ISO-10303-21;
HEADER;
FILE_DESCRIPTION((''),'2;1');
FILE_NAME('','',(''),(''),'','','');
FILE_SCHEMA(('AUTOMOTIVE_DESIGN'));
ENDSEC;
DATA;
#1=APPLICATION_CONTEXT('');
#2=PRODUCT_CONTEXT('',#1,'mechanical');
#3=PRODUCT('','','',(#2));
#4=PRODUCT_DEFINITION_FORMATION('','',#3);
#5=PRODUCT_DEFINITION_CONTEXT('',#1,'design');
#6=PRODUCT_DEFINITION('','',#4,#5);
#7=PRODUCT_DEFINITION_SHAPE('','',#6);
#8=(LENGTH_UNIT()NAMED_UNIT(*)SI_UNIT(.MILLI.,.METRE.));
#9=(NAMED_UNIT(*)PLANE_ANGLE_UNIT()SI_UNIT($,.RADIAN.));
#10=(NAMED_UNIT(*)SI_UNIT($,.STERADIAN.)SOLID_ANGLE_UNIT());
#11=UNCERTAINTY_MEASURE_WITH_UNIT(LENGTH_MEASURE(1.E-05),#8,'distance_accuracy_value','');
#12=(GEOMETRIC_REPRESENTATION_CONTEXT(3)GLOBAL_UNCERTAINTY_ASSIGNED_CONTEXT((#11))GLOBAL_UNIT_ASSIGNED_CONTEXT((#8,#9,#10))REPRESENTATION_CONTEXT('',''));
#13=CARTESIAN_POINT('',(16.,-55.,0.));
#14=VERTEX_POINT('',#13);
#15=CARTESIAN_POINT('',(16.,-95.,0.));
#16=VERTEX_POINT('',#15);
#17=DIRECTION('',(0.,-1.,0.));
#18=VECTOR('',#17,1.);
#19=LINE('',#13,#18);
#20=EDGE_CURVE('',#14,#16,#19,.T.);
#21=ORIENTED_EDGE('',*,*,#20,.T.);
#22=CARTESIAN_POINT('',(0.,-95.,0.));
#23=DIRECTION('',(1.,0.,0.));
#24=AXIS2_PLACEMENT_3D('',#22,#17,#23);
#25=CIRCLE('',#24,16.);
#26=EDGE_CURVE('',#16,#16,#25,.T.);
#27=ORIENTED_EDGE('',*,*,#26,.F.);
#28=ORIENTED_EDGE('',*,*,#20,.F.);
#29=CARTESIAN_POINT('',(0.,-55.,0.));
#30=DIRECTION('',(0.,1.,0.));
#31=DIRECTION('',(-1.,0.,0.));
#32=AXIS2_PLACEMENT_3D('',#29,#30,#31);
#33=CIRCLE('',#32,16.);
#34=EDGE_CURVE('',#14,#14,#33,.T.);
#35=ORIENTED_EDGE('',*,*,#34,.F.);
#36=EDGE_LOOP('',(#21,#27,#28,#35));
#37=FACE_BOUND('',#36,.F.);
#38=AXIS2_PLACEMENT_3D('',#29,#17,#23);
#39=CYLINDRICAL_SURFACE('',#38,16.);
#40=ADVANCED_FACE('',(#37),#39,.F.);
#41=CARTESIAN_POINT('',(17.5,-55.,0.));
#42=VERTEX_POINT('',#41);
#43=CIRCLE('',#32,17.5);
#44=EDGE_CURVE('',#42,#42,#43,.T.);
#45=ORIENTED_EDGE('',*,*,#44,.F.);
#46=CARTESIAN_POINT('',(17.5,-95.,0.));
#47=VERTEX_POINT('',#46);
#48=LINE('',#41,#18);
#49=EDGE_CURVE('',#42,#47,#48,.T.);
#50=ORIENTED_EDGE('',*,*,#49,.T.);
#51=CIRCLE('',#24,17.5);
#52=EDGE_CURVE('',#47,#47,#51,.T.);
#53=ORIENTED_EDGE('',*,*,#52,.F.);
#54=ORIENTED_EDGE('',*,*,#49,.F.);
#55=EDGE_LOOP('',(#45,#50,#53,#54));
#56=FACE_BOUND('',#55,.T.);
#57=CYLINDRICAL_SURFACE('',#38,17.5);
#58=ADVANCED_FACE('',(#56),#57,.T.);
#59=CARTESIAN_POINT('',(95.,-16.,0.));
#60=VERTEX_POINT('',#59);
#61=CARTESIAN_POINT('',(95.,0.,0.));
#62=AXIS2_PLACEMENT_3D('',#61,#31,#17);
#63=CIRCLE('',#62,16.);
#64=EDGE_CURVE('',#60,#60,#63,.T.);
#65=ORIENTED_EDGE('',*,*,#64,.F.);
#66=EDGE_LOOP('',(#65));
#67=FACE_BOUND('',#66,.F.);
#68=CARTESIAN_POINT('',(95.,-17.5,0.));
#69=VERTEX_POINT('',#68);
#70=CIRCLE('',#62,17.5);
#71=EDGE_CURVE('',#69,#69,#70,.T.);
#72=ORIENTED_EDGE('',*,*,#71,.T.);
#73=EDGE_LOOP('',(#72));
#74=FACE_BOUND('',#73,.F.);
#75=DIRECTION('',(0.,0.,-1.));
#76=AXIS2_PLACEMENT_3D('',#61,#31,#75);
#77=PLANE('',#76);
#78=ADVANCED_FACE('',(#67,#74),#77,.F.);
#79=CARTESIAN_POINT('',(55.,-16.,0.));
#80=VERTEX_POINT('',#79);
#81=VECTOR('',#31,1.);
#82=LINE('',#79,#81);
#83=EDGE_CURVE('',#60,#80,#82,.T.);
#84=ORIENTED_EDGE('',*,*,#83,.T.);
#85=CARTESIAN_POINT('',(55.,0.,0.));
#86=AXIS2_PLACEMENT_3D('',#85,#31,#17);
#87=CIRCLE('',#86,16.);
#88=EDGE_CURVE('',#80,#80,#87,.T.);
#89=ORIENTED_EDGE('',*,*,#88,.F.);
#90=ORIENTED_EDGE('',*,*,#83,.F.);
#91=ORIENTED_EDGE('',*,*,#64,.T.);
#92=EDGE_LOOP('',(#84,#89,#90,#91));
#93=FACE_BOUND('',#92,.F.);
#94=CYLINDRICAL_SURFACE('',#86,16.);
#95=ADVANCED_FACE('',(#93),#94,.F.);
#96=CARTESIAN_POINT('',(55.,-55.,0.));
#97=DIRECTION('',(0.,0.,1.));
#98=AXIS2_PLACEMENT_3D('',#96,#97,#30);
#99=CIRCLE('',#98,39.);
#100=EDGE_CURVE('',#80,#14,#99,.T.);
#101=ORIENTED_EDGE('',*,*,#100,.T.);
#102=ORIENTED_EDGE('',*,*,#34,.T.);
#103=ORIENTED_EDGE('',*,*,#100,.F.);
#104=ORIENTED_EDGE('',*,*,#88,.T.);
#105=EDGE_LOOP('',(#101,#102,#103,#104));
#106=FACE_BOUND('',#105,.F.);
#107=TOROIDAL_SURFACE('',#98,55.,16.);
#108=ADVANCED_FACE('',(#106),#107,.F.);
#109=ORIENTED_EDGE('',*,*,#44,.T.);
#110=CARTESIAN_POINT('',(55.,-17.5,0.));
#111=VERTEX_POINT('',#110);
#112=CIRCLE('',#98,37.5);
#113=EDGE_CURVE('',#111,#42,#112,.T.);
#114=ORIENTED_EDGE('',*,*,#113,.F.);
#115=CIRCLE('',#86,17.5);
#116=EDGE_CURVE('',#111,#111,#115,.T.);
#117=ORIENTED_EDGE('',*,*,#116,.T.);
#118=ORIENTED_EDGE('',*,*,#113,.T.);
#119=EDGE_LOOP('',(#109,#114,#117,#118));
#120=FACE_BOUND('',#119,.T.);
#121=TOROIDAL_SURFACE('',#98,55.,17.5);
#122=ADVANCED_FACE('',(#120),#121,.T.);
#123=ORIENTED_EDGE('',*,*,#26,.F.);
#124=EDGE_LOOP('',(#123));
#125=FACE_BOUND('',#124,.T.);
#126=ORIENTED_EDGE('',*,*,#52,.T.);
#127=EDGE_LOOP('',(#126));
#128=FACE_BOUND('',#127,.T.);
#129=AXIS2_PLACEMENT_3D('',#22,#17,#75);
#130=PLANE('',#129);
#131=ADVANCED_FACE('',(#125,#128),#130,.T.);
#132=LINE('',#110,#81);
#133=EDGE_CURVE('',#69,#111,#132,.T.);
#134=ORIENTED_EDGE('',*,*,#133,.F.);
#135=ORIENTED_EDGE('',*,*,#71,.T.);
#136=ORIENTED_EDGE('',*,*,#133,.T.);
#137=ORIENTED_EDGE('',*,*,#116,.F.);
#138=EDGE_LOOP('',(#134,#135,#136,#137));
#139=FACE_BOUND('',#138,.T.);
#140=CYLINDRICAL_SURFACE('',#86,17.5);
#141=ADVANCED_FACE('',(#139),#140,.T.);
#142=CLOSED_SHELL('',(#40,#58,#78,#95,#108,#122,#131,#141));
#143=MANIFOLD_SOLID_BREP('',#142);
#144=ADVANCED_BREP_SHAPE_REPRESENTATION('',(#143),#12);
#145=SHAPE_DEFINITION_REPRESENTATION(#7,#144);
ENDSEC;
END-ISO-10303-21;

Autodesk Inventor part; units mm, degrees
ref_plane "YZ Plane" through (0, 0, 0) normal (1, 0, 0) x (0, 1, 0)
ref_plane "XZ Plane" through (0, 0, 0) normal (0, 1, 0) x (-1, 0, 0)
sketch "Szkic6" plane through (0, 0, 0) normal (0, 0, 1) x (1, 0, 0)
  line L0 (-29.6067, 0) -> (35.2678, 0) construction
  line L1 (0, 42.3419) -> (0, -58.3726) construction
  arc A0 (55, 0) -> (0, -55) centre (55, -55) ccw
  line L2 (0, -55) -> (55, -55) construction
  line L3 (55, -55) -> (55, 10.5331) construction
  line L4 (55, 0) -> (95, 0)
  line L5 (0, -55) -> (0, -95)
  point P0 (0, 0)
  dimension "d24" = 55
  dimension "d31" = 90
  dimension "d36" = 40
  dimension "d37" = 40
ref_plane "Płaszczyzna konstrukcyjna2" through (0, -55, 0) normal (0, -1, 0) x (1, 0, 0)
sketch "Szkic8" plane through (0, -55, 0) normal (0, -1, 0) x (1, 0, 0)
  circle A0 centre (0, 0) radius 17.5
  circle A1 centre (0, 0) radius 16
  dimension "d32" = 35
  dimension "d33" = 1.5
sweep "Przeciągnięcie2" add profiles "Szkic8" path "Szkic6"
equation "\"d32\" = OD"
equation "\"d33\" = THK"
equation "\"d24\" = R"
equation "\"d31\" = KAT"
equation "\"d36\" = PROSTKA"
equation "\"d37\" = PROSTKA"
equation "\"SzerokośćGięciaPodcięcia\" = Grubość"
equation "\"RozmiarPodcięciaNarożnika\" = 4 * Grubość"
equation "\"PromieńPrzejścia\" = PromieńGięcia"
equation "\"Rozmiar_promienia_Jacobiego\" = PromieńGięcia"
equation "\"Wielk_odstępu\" = Grubość"
equation "\"d2\" = PromieńGięcia"
equation "\"d23\" = PromieńGięcia"
equation "\"R\" = 55"
equation "\"OD\" = 35"
equation "\"THK\" = 1.5"
equation "\"KAT\" = 90deg"
equation "\"PROSTKA\" = 40"
equation "\"Grubość\" = 1.5"
equation "\"PromieńGięcia\" = 3"
properties part number "Kolano 90° ø35x1,5 R55" material "304L"
